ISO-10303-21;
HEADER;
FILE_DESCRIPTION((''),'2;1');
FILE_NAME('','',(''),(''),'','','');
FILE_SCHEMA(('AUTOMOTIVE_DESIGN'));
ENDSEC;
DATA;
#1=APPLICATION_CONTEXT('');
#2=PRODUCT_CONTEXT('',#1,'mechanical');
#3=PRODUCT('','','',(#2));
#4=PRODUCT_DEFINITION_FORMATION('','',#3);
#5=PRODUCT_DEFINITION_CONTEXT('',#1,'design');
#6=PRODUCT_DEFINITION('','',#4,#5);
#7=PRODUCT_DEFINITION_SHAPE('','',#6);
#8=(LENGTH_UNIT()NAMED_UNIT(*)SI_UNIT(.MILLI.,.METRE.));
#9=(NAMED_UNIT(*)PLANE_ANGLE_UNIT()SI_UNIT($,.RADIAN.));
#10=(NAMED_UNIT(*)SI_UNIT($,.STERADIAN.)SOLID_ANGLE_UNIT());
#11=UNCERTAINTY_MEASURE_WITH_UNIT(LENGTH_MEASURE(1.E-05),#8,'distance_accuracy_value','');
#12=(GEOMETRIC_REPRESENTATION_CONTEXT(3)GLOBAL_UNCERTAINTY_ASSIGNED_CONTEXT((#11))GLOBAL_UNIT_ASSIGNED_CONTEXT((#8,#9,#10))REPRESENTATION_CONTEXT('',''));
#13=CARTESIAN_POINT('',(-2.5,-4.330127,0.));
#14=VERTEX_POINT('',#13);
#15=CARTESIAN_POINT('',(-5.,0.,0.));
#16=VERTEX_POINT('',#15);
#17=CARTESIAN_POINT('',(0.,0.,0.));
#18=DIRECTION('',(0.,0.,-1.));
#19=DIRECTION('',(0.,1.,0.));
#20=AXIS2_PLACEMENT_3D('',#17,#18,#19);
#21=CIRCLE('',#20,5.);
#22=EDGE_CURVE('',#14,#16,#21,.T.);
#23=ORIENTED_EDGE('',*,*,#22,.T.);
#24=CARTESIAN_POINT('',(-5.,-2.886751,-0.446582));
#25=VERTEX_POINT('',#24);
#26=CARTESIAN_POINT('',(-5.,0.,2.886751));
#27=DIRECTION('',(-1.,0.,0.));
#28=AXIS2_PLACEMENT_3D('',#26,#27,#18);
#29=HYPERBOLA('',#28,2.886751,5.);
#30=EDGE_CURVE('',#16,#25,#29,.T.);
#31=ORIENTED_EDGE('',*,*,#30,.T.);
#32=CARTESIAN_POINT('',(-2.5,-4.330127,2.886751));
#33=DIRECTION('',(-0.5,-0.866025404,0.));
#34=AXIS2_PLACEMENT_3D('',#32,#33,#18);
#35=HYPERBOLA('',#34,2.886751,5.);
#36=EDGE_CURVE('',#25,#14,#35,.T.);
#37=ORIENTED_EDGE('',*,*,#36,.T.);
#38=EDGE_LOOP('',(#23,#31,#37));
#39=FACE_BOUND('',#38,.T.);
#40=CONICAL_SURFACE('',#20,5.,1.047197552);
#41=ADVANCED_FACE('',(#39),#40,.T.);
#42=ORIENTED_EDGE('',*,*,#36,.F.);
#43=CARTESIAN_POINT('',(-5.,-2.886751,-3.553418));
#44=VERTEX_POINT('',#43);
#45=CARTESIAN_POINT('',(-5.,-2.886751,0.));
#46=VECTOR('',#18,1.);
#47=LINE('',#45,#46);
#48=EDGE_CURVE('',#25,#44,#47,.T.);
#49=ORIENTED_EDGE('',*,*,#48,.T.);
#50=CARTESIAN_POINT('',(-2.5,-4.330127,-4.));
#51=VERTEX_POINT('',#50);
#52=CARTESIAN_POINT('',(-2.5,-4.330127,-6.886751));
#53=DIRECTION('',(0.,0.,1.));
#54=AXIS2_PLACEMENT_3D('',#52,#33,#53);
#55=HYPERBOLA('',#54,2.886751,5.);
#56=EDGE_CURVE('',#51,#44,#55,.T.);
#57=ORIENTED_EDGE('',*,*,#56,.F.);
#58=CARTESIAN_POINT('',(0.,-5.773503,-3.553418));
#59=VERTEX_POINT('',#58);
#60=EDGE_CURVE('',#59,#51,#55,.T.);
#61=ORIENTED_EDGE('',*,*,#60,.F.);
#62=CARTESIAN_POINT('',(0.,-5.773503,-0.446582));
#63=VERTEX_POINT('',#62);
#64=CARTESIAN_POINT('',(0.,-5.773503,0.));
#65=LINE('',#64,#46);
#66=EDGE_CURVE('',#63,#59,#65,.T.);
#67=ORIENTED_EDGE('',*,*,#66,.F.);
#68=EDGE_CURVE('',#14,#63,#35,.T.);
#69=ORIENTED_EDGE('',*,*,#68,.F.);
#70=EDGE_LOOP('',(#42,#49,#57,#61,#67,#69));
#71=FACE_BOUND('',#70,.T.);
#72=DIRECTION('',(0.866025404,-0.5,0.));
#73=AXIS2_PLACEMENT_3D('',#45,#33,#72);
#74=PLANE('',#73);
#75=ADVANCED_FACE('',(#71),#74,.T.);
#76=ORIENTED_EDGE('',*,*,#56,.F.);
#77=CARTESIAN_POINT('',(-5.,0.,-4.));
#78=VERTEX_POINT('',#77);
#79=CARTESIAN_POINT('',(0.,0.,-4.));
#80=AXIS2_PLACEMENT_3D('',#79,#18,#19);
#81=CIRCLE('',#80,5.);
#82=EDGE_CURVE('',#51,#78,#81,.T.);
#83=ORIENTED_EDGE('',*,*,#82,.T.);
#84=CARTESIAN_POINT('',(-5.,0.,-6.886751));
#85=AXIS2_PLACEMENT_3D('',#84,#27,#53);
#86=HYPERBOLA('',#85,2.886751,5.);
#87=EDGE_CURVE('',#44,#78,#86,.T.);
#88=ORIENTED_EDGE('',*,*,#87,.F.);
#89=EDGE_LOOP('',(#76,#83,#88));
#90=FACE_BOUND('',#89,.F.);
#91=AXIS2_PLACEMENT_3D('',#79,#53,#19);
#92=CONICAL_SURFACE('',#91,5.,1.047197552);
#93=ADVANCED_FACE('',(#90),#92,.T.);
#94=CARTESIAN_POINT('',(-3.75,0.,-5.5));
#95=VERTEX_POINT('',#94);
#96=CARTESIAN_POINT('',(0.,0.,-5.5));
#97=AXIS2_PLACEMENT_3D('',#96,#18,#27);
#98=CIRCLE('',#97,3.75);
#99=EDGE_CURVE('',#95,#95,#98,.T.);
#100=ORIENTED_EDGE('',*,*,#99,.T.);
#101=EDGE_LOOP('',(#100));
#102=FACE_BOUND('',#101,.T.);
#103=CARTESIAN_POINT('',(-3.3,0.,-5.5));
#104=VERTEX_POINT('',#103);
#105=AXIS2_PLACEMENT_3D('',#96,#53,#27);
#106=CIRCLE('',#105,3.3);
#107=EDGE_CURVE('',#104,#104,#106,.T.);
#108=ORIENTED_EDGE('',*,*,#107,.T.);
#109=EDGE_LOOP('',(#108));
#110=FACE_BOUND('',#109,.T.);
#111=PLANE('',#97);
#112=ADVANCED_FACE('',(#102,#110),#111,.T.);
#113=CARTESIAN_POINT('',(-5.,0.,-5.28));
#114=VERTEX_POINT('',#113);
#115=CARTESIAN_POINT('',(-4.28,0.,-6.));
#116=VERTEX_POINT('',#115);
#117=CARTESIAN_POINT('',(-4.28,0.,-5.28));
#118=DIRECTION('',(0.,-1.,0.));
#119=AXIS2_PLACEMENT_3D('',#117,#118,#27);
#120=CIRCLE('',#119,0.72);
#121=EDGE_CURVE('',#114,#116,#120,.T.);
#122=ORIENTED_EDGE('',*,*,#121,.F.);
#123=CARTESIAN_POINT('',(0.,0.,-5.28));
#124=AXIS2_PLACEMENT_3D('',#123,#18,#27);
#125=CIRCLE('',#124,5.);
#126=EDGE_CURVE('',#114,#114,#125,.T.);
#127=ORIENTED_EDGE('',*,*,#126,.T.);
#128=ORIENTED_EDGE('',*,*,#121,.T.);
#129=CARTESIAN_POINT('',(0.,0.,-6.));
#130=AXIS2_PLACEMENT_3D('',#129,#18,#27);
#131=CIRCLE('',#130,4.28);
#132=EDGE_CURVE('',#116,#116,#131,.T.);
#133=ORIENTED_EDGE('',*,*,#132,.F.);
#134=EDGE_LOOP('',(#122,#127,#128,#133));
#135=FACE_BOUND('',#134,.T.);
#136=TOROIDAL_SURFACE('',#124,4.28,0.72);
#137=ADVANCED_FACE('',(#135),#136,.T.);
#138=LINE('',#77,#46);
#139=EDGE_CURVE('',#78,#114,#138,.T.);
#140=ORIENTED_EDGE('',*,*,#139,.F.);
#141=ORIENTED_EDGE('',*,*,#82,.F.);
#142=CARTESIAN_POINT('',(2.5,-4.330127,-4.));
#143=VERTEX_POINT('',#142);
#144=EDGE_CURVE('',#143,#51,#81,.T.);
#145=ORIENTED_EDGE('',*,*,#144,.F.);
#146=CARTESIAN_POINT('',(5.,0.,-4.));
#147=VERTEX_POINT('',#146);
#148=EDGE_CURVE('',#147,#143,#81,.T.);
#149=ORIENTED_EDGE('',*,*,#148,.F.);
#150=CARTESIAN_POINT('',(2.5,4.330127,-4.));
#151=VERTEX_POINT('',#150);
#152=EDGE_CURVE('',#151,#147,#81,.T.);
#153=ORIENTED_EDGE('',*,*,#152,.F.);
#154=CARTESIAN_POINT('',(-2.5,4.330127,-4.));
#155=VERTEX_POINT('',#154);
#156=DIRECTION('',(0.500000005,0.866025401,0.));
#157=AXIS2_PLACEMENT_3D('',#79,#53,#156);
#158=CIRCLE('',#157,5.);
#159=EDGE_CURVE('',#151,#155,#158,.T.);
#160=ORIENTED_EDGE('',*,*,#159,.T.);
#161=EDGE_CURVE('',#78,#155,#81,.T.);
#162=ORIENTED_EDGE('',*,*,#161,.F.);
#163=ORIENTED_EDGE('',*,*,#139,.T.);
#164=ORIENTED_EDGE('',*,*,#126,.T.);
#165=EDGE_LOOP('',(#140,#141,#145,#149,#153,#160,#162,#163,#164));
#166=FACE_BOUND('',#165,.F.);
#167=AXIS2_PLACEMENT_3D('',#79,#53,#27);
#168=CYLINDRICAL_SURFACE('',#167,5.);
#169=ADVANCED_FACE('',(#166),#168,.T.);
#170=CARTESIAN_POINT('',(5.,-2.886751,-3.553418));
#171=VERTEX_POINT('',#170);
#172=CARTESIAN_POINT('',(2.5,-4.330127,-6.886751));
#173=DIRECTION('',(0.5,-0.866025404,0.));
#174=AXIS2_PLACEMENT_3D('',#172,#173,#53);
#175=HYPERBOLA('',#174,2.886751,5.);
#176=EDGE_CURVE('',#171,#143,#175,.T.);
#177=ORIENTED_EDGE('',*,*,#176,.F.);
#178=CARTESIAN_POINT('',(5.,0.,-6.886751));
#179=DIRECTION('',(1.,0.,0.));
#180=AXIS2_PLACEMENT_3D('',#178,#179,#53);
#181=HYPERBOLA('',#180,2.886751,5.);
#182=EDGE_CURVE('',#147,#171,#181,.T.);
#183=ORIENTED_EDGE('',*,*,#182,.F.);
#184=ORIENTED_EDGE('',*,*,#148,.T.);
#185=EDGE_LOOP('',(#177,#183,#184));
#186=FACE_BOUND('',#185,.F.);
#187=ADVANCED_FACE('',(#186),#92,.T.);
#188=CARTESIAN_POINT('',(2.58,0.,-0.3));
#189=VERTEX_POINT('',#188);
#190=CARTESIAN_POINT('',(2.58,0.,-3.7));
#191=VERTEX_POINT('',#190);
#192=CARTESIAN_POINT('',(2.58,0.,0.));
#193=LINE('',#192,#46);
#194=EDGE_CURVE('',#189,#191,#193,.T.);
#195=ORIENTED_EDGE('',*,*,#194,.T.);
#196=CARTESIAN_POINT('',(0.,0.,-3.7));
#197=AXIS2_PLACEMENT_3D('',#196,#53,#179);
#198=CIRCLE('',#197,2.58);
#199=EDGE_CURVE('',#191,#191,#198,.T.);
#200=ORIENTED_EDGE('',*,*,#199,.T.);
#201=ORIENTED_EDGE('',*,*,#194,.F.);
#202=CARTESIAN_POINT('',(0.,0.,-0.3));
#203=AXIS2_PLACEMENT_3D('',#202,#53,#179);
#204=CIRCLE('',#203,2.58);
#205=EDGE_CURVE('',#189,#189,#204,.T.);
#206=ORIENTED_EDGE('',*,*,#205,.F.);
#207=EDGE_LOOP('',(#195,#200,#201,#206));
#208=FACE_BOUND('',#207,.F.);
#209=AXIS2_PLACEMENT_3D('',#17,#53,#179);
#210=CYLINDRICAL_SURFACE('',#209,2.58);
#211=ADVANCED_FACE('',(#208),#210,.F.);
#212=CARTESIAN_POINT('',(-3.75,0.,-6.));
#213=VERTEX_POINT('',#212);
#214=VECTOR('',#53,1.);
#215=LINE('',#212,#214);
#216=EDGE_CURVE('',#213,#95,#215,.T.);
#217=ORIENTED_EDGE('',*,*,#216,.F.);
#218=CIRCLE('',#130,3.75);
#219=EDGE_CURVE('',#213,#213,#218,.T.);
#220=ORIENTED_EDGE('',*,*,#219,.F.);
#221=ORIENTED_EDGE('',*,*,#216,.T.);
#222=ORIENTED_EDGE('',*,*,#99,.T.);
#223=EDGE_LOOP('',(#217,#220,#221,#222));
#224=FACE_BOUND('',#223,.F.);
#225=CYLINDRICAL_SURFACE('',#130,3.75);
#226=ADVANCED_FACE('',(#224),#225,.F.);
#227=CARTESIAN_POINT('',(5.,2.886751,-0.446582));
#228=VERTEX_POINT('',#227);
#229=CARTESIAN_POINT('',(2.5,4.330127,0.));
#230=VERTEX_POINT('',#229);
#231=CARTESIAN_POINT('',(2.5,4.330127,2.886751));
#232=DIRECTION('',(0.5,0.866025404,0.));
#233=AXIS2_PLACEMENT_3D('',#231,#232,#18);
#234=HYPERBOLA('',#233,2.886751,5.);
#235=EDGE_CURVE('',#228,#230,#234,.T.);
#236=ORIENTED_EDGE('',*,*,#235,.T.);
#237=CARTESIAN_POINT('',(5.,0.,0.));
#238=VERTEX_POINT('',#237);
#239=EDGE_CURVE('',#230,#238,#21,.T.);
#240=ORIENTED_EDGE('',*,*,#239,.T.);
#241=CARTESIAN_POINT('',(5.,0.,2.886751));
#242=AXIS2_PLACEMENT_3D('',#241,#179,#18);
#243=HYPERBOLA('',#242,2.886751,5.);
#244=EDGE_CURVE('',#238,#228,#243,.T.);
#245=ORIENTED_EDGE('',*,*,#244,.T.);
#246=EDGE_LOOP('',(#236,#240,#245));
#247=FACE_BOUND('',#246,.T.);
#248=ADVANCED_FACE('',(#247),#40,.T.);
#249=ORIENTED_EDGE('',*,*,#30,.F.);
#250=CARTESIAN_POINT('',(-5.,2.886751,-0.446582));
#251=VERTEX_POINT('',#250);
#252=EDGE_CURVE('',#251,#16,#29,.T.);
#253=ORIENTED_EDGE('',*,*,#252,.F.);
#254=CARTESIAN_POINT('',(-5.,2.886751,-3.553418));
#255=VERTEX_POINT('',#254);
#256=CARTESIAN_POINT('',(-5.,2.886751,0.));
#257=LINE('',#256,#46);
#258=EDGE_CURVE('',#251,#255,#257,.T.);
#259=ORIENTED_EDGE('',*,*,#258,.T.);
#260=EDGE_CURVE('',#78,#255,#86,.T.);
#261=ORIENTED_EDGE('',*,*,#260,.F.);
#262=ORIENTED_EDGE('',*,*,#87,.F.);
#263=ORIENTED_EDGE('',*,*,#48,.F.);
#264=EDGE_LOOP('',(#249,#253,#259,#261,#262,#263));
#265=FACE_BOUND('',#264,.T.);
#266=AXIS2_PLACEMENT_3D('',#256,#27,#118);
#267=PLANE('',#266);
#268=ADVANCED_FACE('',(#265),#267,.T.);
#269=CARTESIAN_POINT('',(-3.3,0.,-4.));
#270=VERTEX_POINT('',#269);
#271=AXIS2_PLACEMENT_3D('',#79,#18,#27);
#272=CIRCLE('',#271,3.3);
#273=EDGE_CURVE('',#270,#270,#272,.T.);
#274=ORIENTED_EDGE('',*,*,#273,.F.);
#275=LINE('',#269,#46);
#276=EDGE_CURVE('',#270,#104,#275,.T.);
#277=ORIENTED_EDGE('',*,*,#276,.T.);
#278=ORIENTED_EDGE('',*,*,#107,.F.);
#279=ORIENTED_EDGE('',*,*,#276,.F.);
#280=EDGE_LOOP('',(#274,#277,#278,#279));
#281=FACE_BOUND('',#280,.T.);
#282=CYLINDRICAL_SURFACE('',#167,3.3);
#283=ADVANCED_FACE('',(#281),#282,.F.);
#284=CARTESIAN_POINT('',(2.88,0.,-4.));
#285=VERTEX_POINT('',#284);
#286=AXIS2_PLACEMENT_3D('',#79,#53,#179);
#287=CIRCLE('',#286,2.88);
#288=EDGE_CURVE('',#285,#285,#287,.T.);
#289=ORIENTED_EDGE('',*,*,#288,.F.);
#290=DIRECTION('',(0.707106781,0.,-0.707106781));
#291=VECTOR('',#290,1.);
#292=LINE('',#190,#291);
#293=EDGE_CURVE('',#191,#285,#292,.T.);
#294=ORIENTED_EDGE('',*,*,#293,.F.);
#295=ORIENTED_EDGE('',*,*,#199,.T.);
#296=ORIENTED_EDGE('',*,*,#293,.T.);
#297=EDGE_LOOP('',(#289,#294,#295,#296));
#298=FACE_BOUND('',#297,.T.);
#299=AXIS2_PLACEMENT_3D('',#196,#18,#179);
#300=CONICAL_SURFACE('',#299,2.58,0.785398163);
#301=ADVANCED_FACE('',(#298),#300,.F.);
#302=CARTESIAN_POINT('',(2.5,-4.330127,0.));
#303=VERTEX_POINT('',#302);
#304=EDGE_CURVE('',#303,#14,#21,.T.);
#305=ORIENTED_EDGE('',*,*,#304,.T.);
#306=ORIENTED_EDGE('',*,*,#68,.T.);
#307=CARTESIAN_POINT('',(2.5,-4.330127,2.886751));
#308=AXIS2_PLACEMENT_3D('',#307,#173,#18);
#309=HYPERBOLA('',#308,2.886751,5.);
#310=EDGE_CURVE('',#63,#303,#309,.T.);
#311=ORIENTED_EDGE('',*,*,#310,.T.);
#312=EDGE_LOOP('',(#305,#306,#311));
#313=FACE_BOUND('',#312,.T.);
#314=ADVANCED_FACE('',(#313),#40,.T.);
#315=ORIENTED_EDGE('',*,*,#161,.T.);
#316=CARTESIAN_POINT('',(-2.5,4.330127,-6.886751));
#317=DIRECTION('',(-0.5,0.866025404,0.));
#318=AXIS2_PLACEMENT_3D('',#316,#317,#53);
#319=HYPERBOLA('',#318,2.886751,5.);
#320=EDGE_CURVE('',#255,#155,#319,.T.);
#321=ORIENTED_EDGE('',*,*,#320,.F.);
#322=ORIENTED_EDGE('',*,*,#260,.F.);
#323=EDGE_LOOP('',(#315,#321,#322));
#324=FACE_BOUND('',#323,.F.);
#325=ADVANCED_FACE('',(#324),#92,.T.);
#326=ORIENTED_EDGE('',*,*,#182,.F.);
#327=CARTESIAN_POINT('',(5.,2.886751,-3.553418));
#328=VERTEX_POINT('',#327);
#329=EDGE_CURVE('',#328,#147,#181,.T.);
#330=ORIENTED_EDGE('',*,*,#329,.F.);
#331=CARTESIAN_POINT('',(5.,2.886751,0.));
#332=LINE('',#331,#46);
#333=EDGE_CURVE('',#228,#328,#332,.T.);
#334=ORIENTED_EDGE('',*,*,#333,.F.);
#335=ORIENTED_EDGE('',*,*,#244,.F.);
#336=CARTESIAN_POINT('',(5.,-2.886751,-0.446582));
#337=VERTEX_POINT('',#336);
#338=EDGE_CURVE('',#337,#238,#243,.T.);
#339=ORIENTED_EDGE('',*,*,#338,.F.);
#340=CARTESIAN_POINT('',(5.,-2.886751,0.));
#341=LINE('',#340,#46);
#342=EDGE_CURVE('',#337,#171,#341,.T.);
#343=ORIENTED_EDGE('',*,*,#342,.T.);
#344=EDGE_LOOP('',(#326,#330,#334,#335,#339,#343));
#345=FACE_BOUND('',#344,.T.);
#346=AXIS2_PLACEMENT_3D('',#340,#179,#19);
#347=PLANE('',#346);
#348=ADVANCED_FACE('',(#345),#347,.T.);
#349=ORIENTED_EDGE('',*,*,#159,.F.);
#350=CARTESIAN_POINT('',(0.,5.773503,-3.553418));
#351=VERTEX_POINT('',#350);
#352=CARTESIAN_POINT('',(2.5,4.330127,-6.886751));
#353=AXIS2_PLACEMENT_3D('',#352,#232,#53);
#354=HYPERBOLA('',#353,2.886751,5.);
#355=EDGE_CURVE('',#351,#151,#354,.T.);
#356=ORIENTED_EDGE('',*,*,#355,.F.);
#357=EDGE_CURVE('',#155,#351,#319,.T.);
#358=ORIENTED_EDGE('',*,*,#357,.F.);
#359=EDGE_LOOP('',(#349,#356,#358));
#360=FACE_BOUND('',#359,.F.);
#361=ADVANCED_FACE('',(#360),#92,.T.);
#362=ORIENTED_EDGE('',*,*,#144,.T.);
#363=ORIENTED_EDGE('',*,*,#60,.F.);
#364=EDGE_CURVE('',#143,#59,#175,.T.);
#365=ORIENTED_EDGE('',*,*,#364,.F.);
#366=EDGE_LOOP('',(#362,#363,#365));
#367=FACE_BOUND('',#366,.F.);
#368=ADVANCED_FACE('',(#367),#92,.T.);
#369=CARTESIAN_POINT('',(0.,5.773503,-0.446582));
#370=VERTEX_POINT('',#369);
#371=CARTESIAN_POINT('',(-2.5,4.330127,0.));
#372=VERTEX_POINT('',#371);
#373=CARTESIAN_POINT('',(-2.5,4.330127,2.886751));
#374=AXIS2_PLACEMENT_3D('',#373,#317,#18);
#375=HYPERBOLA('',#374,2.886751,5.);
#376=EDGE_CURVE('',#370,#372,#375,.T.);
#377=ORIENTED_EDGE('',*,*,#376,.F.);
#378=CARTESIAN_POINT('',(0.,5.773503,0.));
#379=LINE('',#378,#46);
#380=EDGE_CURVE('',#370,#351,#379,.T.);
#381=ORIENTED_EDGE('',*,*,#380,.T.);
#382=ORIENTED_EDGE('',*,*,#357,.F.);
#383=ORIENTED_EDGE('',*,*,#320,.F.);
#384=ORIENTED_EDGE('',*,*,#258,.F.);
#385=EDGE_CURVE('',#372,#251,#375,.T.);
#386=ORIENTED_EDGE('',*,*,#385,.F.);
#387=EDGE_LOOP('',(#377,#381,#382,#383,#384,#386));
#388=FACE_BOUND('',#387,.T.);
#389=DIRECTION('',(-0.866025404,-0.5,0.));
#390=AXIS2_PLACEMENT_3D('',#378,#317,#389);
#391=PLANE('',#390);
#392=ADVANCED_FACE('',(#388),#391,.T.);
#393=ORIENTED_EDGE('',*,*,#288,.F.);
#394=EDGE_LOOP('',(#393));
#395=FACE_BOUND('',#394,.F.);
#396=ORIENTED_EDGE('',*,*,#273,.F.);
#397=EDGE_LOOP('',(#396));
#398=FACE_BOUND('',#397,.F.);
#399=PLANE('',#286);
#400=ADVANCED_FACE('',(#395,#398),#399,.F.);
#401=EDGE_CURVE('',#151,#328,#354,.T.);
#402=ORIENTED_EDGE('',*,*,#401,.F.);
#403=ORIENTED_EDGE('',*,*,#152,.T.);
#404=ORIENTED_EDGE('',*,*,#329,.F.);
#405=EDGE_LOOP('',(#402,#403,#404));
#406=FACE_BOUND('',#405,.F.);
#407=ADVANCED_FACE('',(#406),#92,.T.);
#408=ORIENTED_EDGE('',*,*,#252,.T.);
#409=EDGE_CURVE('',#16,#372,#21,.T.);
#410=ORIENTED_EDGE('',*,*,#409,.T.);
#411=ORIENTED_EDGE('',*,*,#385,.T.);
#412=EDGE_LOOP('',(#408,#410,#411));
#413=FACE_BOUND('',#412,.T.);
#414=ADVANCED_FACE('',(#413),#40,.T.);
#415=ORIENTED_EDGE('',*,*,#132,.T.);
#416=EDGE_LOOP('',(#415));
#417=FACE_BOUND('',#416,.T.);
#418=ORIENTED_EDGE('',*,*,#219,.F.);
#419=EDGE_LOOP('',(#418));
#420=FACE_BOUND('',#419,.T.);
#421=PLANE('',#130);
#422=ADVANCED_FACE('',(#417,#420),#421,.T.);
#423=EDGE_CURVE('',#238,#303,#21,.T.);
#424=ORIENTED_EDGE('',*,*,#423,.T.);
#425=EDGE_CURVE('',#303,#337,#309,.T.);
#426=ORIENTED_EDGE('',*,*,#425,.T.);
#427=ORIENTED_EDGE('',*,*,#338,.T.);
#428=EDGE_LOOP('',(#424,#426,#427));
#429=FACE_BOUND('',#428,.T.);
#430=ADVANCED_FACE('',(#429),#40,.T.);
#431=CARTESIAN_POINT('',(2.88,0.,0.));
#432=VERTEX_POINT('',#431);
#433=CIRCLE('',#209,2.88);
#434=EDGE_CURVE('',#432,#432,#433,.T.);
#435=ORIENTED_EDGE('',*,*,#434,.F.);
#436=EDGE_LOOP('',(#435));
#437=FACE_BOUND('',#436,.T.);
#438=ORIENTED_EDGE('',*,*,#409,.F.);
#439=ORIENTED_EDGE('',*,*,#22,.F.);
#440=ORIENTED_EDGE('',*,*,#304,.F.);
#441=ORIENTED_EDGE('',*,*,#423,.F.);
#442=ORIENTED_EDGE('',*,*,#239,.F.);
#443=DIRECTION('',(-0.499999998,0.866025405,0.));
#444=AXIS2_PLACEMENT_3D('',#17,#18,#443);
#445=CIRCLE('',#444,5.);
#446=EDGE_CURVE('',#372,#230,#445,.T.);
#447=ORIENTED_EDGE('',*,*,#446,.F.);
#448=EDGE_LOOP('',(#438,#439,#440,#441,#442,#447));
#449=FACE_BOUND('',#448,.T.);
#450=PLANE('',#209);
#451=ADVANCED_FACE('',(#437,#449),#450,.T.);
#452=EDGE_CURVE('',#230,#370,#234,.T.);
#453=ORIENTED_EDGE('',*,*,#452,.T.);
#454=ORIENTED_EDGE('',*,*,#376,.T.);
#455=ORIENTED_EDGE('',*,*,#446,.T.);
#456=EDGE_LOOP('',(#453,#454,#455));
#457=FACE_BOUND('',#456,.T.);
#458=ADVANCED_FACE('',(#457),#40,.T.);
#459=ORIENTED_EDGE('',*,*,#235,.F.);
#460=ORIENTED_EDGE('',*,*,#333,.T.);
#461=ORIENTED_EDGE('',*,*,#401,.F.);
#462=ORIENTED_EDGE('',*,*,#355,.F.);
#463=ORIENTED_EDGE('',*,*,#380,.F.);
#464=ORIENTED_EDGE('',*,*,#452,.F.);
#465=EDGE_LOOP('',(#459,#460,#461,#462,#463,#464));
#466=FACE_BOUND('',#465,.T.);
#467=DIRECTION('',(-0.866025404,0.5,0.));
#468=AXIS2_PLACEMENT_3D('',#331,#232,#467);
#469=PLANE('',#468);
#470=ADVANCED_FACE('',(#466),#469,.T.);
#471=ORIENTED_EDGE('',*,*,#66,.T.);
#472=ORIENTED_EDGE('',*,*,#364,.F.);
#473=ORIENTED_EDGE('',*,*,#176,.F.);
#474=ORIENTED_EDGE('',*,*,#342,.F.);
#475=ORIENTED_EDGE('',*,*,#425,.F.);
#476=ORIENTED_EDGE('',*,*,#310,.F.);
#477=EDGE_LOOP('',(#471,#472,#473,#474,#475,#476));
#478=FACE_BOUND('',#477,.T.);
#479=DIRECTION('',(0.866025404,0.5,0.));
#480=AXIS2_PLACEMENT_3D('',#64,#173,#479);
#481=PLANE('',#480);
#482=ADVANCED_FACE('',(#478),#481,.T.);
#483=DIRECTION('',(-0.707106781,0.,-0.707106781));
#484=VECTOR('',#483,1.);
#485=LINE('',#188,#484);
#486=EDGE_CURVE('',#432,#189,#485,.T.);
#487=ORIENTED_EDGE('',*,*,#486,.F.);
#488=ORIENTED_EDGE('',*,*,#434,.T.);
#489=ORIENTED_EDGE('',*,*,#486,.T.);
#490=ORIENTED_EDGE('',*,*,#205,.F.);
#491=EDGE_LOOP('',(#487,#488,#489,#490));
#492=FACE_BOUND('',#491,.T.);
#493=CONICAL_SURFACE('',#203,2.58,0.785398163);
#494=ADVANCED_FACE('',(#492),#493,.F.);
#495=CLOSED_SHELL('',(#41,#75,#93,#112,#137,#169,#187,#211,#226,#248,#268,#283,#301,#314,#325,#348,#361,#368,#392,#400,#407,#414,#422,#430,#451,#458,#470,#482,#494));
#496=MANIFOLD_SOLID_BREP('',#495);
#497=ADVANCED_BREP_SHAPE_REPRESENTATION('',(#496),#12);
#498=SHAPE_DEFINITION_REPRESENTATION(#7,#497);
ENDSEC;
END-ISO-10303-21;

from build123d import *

# Parameters (mm, degrees)
SKETCH_1_R          = 2.58
EXTRUDE_1_DEPTH     = 4
SKETCH_5_R          = 5
SKETCH_5_R_2        = 3.3
EXTRUDE_4_DEPTH     = 2
FILLET_2_R          = 0.72
SKETCH_6_R          = 3.75
CUT_EXTRUDE_1_DEPTH = 0.5
CHAMFER_2_SIZE      = 0.3


with BuildPart() as part:
    # 草图1 → 凸台-拉伸1 (new body)
    with BuildSketch(Plane.XY):
        Polygon((0, 5.773502692), (-5, 2.886751346), (-5, -2.886751346), (0, -5.773502692), (5, -2.886751346), (5, 2.886751346), align=None)
        Circle(SKETCH_1_R, mode=Mode.SUBTRACT)
    extrude(amount=-EXTRUDE_1_DEPTH)

    # 草图2 → 切除-旋转1 (revolve, cut)
    with BuildSketch(Plane(origin=(0, 0, 0), x_dir=(0, 0, -1), z_dir=(1, 0, 0))):
        Polygon((0, 5), (0.446581987, 5.773502692), (0, 5.773502692), align=None)
        Polygon((4, 5), (3.553418013, 5.773502692), (4, 5.773502692), align=None)
    revolve(axis=Axis((0, 0, 0), (0, 0, -1)), mode=Mode.SUBTRACT)

    # 草图5 → 凸台-拉伸4 (add)
    with BuildSketch(Plane(origin=(0, 0, -4), x_dir=(-1, 0, 0), z_dir=(0, 0, -1))):
        Circle(SKETCH_5_R)
        Circle(SKETCH_5_R_2, mode=Mode.SUBTRACT)
    extrude(amount=EXTRUDE_4_DEPTH)

    # 圆角2
    fillet_2_edges = [part.edges().sort_by_distance(p)[0] for p in [
        (5, 0, -6),
    ]]
    fillet(fillet_2_edges, radius=FILLET_2_R)

    # 草图6 → 切除-拉伸1 (cut)
    with BuildSketch(Plane(origin=(0, 0, -6), x_dir=(-1, 0, 0), z_dir=(0, 0, -1))):
        Circle(SKETCH_6_R)
    extrude(amount=-CUT_EXTRUDE_1_DEPTH, mode=Mode.SUBTRACT)

    # 倒角2
    chamfer_2_edges = [part.edges().sort_by_distance(p)[0] for p in [
        (-2.58, 0, -4),
        (-2.58, 0, 0),
    ]]
    chamfer(chamfer_2_edges, length=CHAMFER_2_SIZE)


solid = part.part
